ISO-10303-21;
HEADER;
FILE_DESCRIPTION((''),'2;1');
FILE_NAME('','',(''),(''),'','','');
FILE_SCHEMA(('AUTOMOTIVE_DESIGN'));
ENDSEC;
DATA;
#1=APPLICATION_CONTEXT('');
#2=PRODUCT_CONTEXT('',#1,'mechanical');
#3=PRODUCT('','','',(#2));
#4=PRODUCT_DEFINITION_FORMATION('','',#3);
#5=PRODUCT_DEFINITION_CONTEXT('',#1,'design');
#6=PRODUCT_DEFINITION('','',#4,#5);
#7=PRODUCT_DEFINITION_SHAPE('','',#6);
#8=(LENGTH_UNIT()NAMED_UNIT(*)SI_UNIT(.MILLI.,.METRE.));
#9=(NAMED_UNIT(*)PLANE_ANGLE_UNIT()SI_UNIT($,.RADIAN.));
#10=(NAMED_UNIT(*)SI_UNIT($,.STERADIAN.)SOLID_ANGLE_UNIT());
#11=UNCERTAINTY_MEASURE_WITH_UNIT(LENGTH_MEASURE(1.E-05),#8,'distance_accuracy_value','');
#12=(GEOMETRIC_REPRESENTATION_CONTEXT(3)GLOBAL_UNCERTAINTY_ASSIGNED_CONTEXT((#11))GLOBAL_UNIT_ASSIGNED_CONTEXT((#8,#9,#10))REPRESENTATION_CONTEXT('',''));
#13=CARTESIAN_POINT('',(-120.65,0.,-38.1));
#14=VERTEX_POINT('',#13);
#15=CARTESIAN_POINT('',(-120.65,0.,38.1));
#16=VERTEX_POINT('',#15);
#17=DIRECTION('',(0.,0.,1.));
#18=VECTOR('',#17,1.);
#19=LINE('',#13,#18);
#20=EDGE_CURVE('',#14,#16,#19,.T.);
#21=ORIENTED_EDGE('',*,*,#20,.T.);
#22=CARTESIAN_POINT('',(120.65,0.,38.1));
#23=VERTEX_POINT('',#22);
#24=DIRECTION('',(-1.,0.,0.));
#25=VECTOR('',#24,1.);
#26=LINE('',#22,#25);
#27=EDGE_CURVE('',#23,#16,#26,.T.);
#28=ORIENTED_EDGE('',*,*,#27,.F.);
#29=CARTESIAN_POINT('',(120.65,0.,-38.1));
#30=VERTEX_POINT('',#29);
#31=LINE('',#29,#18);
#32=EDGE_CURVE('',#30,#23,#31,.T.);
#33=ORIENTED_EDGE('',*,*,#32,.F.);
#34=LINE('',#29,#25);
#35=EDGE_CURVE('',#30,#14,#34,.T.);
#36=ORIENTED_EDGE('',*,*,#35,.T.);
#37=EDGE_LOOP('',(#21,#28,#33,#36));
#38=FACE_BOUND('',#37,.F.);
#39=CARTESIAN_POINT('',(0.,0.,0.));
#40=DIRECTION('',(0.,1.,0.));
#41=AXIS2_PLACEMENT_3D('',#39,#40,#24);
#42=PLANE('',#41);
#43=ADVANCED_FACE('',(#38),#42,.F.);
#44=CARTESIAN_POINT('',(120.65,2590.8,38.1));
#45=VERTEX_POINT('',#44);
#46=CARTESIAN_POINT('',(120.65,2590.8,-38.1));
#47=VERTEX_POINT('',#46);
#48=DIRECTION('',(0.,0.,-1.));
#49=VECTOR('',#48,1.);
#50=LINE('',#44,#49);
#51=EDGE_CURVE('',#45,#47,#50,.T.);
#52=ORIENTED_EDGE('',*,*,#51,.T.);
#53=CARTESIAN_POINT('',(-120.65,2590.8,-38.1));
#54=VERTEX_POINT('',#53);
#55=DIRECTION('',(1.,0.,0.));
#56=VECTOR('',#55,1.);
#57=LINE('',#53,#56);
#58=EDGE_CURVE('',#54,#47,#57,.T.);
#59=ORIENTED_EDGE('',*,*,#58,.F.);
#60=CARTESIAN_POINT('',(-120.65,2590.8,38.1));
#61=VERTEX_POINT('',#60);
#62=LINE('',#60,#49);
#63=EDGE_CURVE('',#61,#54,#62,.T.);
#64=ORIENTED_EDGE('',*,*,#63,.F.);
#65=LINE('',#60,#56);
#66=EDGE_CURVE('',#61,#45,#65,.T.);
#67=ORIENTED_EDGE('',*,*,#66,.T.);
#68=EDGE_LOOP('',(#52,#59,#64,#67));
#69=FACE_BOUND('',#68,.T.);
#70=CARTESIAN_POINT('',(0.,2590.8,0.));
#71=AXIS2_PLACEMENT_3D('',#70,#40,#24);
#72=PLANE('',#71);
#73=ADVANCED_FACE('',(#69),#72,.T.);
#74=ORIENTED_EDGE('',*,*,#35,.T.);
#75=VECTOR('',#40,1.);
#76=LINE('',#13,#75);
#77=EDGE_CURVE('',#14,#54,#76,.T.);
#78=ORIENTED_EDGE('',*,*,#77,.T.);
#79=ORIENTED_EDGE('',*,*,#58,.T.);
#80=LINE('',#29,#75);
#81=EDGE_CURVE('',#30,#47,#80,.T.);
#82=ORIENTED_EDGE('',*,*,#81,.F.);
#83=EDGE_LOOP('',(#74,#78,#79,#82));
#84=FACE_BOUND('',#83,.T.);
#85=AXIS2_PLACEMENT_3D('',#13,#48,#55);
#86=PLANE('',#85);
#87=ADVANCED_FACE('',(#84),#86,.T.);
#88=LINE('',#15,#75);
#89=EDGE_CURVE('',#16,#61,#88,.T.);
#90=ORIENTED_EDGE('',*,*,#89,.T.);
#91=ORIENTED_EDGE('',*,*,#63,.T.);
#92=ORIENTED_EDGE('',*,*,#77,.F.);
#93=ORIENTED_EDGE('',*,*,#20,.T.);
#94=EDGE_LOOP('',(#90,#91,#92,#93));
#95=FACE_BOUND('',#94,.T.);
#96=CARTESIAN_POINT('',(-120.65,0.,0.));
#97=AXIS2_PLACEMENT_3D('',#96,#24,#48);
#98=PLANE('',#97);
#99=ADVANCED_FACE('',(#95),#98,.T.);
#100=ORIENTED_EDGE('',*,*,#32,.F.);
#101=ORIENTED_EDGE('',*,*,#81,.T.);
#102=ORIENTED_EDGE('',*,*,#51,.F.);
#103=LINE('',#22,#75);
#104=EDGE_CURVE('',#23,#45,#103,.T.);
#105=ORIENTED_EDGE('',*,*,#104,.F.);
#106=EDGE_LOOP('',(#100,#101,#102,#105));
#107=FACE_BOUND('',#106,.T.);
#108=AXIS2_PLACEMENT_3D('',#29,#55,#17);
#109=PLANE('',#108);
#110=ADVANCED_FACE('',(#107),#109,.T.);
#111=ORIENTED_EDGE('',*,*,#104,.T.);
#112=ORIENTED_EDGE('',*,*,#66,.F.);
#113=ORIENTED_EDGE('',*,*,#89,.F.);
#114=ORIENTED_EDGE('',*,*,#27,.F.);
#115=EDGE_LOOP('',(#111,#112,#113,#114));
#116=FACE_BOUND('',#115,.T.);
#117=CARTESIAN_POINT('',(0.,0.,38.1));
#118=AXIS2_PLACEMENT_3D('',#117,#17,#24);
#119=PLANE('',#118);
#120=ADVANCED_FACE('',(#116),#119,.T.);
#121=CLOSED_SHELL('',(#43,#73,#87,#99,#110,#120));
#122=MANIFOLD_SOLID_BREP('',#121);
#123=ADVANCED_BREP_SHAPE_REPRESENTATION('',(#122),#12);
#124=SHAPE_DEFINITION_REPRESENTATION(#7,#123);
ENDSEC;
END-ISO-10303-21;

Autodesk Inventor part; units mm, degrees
ref_plane "YZ Plane" through (0, 0, 0) normal (1, 0, 0) x (0, 1, 0)
ref_plane "XZ Plane" through (0, 0, 0) normal (0, 1, 0) x (-1, 0, 0)
ref_plane "XY Plane" through (0, 0, 0) normal (0, 0, 1) x (1, 0, 0)
sketch "Sketch1" plane through (0, 0, 0) normal (0, 1, 0) x (-1, 0, 0)
  line L0 (120.65, -38.1) -> (-120.65, -38.1)
  line L1 (-120.65, -38.1) -> (-120.65, 38.1)
  line L2 (-120.65, 38.1) -> (120.65, 38.1)
  line L3 (120.65, 38.1) -> (120.65, -38.1)
  line L4 (0, -53.34) -> (0, 53.34) projected
  line L5 (-168.91, 0) -> (168.91, 0) projected
  point P0 (0, 0)
  dimension "d0" = 241.3
  dimension "d1" = 76.2
extrude "Extrusion1" add sketch "Sketch1" along normal blind 2590.8
properties part number "EastPole"
